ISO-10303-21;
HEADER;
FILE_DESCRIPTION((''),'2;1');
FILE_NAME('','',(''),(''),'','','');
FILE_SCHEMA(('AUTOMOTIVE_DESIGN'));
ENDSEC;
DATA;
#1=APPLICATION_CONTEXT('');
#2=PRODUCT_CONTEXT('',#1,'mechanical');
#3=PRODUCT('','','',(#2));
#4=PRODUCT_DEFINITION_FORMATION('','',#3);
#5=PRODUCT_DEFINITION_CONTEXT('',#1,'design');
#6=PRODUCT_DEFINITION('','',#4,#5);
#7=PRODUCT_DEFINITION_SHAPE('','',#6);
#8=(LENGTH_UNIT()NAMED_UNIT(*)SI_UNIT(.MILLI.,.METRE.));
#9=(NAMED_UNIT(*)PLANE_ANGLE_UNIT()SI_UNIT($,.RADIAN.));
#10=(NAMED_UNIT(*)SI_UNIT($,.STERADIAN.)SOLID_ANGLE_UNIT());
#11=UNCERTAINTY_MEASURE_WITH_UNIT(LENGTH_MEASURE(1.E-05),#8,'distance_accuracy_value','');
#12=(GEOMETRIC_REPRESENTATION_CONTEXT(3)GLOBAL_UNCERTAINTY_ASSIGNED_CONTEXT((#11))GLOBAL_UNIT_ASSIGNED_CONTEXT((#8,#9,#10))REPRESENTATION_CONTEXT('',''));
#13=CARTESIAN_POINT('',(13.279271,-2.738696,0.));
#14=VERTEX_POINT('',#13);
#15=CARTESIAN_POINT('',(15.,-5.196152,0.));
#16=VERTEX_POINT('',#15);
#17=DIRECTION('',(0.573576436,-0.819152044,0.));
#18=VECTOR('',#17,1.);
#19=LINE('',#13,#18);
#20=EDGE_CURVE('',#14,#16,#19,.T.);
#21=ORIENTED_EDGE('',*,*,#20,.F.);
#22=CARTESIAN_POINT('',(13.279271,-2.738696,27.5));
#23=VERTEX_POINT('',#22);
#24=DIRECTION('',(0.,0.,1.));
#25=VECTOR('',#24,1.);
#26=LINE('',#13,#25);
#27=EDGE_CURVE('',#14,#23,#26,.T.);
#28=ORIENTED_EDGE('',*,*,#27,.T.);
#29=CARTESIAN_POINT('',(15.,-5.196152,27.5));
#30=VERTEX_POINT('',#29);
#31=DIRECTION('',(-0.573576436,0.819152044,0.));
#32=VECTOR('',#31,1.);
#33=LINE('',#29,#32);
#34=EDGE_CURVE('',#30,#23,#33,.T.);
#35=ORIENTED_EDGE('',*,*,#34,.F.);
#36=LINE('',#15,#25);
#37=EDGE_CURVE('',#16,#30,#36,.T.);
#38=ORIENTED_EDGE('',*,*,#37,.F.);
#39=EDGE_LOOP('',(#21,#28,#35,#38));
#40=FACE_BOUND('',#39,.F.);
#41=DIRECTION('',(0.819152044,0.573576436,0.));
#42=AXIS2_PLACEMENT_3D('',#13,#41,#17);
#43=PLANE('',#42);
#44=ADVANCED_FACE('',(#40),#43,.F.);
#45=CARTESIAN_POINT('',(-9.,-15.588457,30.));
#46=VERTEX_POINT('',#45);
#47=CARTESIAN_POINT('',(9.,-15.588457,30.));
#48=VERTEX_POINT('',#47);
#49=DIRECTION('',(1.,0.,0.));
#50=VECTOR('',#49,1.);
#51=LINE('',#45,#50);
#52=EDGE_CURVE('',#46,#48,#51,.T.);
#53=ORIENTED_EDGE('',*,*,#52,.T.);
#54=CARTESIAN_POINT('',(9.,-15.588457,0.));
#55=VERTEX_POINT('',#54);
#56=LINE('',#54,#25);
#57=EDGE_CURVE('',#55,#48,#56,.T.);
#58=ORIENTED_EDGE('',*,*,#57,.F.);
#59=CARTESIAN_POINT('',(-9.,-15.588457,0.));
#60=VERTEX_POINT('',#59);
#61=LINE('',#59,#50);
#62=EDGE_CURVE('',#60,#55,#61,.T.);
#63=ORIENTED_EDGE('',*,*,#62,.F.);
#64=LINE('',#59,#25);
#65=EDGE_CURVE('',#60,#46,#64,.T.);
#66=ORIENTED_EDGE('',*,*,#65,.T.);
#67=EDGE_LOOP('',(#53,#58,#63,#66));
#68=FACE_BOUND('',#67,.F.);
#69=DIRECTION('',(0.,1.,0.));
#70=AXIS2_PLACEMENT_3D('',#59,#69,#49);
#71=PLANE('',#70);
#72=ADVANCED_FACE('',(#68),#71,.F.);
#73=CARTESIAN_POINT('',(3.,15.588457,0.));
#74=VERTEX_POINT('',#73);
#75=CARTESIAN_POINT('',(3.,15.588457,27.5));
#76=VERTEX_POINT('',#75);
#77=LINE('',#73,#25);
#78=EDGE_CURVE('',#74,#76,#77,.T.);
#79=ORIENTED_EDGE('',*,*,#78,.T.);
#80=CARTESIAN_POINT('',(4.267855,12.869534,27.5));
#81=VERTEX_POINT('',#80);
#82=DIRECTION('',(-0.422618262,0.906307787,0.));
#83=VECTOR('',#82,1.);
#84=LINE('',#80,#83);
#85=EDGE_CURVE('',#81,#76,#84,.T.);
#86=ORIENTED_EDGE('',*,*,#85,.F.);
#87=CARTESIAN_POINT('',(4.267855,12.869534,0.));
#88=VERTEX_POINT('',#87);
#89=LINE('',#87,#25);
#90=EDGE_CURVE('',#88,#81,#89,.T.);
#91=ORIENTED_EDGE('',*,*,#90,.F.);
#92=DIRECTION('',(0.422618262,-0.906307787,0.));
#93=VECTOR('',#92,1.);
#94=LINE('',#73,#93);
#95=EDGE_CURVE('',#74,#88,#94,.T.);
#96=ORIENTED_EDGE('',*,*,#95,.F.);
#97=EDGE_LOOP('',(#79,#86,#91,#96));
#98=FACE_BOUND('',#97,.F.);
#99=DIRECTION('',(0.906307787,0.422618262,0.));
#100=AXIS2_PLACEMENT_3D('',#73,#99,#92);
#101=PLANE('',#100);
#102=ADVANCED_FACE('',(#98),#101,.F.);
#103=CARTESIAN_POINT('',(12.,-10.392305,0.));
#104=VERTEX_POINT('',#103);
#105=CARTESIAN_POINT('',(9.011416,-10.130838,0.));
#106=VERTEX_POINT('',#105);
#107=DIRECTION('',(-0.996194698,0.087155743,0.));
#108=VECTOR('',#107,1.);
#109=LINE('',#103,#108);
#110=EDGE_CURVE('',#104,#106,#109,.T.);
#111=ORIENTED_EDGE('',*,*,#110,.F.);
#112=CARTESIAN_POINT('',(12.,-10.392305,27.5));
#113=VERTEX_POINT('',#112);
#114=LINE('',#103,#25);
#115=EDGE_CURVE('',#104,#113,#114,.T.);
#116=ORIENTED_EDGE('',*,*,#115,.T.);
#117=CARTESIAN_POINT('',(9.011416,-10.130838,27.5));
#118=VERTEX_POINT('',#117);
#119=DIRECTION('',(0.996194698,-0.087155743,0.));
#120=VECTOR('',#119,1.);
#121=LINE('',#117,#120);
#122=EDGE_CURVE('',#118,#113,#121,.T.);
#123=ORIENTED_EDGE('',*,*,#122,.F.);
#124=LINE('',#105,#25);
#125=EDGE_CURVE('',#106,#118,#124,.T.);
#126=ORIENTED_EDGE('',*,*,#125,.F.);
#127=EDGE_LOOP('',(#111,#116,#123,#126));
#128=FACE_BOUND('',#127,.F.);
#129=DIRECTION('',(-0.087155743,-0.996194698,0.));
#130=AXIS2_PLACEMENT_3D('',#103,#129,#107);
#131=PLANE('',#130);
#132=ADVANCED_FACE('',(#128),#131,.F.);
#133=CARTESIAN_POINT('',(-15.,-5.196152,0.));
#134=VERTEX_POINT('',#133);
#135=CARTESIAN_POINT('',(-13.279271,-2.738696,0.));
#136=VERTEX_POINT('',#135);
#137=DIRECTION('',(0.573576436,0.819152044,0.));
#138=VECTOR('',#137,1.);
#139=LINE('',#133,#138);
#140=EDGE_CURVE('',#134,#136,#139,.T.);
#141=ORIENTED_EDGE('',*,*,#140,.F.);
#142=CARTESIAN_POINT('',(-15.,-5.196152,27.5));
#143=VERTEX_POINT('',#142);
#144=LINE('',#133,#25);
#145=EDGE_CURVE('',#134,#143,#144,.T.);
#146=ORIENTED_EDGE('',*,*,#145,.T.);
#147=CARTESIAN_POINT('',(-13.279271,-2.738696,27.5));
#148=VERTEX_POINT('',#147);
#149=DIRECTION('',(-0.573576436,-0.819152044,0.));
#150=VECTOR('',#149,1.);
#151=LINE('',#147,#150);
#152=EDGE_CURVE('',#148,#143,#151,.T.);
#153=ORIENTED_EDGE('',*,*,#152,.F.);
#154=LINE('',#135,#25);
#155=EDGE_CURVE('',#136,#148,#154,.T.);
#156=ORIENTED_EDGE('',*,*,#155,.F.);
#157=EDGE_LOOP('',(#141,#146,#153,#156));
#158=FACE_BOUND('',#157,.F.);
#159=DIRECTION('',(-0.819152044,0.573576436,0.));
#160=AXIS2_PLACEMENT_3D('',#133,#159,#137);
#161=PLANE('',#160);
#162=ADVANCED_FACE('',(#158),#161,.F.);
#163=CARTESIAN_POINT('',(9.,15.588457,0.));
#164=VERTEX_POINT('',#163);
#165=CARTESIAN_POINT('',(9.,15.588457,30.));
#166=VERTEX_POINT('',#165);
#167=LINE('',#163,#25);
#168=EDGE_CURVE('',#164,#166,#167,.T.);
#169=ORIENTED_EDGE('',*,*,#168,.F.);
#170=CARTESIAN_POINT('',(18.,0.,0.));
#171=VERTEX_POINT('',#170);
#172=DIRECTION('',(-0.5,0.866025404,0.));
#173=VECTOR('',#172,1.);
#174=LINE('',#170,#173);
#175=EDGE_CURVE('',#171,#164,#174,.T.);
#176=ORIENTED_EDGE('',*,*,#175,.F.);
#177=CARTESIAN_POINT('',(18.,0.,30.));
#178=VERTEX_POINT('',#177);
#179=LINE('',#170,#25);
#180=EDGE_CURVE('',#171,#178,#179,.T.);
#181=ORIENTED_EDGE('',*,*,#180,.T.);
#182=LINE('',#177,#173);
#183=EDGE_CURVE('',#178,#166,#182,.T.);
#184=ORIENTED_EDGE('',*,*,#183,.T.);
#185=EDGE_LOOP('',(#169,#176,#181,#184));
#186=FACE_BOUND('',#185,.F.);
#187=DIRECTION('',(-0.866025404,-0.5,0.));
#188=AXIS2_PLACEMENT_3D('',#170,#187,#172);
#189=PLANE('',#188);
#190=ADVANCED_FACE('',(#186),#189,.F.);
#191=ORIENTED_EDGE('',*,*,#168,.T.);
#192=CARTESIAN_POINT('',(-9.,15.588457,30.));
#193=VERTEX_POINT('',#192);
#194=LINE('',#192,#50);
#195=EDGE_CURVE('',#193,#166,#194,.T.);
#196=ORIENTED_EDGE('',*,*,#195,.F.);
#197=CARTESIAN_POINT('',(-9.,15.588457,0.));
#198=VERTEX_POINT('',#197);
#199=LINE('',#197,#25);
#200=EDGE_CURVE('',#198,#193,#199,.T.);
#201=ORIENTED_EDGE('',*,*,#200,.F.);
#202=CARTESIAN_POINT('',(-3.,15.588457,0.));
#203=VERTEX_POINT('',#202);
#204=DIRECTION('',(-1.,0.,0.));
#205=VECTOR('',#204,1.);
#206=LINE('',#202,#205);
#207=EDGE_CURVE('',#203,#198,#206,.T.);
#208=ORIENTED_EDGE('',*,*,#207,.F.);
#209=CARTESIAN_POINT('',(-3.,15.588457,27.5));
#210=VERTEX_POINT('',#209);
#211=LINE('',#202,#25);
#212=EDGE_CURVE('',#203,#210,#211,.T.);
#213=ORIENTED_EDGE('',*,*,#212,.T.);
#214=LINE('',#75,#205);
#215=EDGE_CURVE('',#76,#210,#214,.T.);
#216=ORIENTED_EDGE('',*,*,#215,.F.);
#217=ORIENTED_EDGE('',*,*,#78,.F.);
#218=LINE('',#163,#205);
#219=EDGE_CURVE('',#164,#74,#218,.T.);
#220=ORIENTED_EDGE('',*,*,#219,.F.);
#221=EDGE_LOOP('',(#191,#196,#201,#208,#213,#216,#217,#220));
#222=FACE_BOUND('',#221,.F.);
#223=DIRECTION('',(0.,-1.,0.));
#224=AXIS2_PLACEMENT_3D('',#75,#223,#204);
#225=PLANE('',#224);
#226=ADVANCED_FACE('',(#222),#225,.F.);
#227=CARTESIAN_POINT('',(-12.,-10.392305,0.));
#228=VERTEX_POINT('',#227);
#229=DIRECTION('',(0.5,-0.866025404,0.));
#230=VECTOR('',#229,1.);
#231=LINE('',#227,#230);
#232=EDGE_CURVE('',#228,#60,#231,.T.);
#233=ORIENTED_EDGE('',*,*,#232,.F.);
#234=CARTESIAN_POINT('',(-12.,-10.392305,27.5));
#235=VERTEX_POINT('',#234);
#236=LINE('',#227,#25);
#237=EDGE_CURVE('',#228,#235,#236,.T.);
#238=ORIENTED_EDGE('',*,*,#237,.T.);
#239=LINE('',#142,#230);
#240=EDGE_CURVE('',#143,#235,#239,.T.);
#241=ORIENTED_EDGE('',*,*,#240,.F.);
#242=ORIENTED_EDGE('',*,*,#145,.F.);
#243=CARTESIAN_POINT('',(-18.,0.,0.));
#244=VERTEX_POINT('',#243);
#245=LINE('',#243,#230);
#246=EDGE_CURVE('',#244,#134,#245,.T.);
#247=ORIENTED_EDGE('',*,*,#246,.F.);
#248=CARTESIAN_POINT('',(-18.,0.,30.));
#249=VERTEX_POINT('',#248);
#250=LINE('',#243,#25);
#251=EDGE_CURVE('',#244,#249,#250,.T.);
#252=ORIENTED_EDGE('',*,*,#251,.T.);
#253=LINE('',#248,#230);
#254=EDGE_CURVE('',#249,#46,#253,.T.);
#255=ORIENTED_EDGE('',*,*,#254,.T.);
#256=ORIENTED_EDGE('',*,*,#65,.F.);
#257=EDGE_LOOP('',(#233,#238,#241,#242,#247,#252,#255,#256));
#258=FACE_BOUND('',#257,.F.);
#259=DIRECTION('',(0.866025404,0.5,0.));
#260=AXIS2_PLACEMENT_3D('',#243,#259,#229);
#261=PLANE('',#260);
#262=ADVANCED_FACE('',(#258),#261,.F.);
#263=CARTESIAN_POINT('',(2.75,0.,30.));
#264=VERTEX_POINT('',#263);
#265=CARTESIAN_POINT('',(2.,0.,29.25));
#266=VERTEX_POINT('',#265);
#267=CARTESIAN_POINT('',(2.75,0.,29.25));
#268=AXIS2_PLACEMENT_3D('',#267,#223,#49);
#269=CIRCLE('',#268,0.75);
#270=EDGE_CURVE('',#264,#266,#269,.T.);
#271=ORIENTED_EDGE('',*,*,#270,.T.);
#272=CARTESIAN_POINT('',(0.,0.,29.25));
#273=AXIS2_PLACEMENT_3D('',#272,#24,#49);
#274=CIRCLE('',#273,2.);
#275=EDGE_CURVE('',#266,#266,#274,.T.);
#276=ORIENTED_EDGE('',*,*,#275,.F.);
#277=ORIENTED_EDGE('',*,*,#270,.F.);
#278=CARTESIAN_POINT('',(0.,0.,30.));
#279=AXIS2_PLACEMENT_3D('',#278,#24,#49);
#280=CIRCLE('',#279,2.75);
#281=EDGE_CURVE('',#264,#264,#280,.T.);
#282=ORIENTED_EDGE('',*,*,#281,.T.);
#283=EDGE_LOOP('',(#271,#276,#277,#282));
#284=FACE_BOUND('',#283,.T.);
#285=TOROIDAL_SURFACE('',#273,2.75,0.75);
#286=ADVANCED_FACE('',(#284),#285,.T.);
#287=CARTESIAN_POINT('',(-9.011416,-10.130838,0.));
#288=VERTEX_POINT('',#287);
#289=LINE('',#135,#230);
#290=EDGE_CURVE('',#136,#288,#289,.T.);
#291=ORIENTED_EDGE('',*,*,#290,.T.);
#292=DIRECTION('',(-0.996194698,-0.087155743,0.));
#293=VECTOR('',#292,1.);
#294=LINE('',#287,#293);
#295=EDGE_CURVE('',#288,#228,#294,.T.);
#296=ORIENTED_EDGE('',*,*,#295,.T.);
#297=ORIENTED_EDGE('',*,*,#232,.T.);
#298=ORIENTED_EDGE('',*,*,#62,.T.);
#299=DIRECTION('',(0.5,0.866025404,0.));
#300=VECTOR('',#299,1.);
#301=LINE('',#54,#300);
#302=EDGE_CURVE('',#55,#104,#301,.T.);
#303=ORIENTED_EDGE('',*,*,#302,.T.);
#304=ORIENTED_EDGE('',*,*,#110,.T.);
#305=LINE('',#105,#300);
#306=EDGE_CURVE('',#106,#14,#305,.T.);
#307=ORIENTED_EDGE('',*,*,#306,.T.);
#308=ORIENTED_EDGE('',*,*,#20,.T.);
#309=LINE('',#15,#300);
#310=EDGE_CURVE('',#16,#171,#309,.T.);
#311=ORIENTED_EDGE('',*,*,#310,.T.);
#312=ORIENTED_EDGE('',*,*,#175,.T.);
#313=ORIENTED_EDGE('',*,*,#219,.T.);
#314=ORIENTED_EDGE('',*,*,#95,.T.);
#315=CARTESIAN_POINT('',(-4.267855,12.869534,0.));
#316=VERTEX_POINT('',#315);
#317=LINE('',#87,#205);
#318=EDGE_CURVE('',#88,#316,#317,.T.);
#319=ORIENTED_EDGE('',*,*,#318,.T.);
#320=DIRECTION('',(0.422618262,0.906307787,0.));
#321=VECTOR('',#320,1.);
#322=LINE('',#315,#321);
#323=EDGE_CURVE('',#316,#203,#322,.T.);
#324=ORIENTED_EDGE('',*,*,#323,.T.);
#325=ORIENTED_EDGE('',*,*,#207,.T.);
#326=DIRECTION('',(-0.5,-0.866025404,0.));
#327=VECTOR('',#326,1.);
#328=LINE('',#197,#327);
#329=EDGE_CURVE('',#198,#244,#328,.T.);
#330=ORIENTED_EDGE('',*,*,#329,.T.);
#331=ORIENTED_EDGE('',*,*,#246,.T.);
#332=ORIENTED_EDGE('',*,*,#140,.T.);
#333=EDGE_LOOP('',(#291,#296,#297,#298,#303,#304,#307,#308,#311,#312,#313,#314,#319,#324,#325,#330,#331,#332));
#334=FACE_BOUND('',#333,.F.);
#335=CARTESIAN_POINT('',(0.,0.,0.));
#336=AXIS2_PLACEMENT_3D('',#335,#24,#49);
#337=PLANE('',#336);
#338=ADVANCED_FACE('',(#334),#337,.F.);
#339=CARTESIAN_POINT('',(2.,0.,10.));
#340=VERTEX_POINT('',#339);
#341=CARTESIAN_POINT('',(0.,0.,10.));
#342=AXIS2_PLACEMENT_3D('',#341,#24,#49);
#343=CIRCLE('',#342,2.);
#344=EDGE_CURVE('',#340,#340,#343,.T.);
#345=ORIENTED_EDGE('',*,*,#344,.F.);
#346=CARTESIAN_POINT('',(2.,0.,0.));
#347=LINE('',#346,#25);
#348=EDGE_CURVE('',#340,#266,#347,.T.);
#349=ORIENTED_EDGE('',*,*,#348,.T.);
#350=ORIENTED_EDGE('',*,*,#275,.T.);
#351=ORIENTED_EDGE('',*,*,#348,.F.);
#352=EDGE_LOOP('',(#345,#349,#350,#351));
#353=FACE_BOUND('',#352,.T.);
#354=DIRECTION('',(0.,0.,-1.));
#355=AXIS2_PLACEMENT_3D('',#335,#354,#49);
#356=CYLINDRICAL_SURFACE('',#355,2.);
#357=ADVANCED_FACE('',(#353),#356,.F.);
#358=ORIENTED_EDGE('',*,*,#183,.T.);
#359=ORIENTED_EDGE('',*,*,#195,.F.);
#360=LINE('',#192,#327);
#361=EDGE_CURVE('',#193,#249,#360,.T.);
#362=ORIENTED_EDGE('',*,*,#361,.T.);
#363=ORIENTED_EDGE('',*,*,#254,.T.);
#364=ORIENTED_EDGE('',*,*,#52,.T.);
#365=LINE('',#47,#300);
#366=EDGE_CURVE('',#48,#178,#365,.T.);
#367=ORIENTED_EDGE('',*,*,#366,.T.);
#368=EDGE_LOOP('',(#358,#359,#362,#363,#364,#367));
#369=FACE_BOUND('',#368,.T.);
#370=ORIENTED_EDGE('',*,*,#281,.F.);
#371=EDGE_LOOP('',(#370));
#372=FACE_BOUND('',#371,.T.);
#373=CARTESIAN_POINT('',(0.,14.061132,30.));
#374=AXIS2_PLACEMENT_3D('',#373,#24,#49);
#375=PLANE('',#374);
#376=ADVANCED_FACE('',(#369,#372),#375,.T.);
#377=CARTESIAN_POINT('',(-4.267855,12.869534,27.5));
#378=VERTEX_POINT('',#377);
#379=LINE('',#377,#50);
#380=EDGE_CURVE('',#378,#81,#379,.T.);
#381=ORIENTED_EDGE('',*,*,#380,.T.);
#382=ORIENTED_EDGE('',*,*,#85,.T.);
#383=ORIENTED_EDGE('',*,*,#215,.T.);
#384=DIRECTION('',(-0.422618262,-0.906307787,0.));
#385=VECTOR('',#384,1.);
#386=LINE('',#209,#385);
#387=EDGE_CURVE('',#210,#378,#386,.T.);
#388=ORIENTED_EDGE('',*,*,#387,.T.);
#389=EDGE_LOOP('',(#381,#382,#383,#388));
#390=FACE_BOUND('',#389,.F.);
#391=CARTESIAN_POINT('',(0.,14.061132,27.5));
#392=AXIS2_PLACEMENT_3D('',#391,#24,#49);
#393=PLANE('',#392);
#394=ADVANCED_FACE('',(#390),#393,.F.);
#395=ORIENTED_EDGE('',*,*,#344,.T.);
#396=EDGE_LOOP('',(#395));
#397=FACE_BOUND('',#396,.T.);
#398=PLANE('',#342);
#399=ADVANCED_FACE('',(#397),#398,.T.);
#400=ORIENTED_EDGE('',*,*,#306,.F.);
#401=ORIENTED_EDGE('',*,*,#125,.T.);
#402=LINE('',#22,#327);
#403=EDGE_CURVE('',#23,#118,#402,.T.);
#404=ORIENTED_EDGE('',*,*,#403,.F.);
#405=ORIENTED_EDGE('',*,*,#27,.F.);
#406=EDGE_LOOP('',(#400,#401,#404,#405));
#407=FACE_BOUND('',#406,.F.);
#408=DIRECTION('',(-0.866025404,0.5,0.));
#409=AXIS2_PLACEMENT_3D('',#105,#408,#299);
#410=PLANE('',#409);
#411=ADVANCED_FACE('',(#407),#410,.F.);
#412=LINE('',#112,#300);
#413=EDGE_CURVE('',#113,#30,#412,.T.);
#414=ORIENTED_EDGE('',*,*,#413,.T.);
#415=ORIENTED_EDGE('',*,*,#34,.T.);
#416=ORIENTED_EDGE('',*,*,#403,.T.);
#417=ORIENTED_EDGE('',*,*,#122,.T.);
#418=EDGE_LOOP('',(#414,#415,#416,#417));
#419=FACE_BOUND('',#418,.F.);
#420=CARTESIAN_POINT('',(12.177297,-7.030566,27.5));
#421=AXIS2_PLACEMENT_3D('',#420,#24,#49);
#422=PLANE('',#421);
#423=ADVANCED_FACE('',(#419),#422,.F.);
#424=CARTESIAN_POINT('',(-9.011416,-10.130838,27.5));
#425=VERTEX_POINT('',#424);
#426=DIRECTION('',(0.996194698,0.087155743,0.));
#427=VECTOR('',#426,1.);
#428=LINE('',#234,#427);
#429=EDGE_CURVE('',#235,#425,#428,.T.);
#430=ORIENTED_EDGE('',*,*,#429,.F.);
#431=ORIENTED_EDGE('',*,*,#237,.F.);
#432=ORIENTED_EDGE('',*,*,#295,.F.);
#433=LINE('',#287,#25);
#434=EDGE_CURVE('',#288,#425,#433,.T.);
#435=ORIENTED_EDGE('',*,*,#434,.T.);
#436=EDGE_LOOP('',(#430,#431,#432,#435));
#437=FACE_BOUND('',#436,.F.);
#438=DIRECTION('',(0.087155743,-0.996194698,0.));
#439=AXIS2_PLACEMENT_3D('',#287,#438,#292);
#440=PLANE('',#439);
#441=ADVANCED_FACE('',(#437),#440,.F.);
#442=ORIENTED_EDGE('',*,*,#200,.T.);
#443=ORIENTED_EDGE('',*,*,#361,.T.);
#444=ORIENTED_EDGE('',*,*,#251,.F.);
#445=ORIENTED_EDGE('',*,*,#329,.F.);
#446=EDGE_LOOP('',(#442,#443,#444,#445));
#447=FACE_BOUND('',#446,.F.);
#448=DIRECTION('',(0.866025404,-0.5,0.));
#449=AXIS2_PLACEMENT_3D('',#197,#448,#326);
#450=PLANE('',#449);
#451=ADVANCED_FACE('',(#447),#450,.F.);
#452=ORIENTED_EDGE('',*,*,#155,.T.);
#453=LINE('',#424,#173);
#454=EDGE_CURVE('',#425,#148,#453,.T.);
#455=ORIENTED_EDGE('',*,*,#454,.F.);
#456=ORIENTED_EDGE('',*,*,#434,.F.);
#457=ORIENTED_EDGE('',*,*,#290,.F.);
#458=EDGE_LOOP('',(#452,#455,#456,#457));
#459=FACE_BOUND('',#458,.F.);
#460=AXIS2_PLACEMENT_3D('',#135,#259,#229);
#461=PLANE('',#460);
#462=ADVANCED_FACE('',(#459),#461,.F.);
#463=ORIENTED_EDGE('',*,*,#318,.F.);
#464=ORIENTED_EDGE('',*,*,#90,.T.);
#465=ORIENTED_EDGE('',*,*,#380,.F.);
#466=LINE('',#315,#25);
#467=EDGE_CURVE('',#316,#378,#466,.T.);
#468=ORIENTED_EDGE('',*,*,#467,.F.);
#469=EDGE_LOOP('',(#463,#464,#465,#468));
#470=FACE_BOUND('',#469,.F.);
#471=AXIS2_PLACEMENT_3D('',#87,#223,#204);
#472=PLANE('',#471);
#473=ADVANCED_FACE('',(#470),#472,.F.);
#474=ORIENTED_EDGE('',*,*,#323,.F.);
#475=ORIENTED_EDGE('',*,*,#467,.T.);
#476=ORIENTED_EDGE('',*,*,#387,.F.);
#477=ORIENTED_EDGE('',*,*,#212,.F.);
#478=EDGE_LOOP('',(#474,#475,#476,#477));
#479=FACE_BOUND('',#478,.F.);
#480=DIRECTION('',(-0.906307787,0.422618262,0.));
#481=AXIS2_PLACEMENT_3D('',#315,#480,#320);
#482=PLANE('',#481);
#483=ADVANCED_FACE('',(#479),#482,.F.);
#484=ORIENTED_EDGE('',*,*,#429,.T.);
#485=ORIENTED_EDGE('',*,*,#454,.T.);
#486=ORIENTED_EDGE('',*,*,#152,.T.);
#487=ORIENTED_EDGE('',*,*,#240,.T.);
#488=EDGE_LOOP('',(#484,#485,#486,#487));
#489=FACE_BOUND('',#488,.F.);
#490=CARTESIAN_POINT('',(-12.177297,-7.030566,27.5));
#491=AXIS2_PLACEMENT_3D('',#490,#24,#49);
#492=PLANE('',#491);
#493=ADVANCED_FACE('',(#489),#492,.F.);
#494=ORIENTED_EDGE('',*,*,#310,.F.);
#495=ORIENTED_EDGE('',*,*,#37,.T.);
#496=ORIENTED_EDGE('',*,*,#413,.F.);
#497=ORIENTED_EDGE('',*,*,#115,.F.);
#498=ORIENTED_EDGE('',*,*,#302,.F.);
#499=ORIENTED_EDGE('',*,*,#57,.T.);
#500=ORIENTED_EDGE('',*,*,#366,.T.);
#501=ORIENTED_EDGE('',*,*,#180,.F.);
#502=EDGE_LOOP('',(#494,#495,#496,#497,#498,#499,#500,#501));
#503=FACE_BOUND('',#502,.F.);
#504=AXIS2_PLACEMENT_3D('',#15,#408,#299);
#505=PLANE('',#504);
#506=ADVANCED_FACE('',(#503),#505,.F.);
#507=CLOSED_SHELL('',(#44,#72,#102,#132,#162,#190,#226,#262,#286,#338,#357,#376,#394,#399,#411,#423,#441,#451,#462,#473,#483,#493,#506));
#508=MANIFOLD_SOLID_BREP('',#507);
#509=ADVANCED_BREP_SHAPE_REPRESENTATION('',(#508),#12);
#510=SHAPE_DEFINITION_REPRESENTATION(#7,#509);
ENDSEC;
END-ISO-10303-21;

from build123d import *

# Parameters (mm, degrees)
F0_R     = 2
F1_DEPTH = 10
F2_DEPTH = 30
F3_START = 27.5
F3_DEPTH = 2.5
F4_R     = 0.75


with BuildPart() as f1:
    # F0 (on Top) → F1 (new body)
    with BuildSketch(Plane.XY):
        Circle(F0_R)
    extrude(amount=F1_DEPTH)

    # F0 (on Top) → F2 (join)
    with BuildSketch(Plane.XY):
        Polygon((-3, 15.5884572681), (-9, 15.5884572681), (-18, 0), (-15, -5.1961524227), (-13.2792706909, -2.7386962898), (-9.0114159057, -10.1308376172), (-12, -10.3923048454), (-9, -15.5884572681), (9, -15.5884572681), (12, -10.3923048454), (9.0114159057, -10.1308376172), (13.2792706909, -2.7386962898), (15, -5.1961524227), (18, 0), (9, 15.5884572681), (3, 15.5884572681), (4.2678547852, 12.869533907), (-4.2678547852, 12.869533907), align=None)
        Circle(F0_R, mode=Mode.SUBTRACT)
    extrude(amount=F2_DEPTH)

    # F0 (on Top) → F3 (join)
    with BuildSketch(Plane.XY.offset(F3_START)):
        Polygon((3, 15.5884572681), (-3, 15.5884572681), (-4.2678547852, 12.869533907), (4.2678547852, 12.869533907), align=None)
        Polygon((-13.2792706909, -2.7386962898), (-15, -5.1961524227), (-12, -10.3923048454), (-9.0114159057, -10.1308376172), align=None)
        Polygon((12, -10.3923048454), (15, -5.1961524227), (13.2792706909, -2.7386962898), (9.0114159057, -10.1308376172), align=None)
    extrude(amount=F3_DEPTH)

    # F4
    f4_edges = [f1.edges().sort_by_distance(p)[0] for p in [
        (-2, 0, 30),
    ]]
    fillet(f4_edges, radius=F4_R)


solid = f1.part
